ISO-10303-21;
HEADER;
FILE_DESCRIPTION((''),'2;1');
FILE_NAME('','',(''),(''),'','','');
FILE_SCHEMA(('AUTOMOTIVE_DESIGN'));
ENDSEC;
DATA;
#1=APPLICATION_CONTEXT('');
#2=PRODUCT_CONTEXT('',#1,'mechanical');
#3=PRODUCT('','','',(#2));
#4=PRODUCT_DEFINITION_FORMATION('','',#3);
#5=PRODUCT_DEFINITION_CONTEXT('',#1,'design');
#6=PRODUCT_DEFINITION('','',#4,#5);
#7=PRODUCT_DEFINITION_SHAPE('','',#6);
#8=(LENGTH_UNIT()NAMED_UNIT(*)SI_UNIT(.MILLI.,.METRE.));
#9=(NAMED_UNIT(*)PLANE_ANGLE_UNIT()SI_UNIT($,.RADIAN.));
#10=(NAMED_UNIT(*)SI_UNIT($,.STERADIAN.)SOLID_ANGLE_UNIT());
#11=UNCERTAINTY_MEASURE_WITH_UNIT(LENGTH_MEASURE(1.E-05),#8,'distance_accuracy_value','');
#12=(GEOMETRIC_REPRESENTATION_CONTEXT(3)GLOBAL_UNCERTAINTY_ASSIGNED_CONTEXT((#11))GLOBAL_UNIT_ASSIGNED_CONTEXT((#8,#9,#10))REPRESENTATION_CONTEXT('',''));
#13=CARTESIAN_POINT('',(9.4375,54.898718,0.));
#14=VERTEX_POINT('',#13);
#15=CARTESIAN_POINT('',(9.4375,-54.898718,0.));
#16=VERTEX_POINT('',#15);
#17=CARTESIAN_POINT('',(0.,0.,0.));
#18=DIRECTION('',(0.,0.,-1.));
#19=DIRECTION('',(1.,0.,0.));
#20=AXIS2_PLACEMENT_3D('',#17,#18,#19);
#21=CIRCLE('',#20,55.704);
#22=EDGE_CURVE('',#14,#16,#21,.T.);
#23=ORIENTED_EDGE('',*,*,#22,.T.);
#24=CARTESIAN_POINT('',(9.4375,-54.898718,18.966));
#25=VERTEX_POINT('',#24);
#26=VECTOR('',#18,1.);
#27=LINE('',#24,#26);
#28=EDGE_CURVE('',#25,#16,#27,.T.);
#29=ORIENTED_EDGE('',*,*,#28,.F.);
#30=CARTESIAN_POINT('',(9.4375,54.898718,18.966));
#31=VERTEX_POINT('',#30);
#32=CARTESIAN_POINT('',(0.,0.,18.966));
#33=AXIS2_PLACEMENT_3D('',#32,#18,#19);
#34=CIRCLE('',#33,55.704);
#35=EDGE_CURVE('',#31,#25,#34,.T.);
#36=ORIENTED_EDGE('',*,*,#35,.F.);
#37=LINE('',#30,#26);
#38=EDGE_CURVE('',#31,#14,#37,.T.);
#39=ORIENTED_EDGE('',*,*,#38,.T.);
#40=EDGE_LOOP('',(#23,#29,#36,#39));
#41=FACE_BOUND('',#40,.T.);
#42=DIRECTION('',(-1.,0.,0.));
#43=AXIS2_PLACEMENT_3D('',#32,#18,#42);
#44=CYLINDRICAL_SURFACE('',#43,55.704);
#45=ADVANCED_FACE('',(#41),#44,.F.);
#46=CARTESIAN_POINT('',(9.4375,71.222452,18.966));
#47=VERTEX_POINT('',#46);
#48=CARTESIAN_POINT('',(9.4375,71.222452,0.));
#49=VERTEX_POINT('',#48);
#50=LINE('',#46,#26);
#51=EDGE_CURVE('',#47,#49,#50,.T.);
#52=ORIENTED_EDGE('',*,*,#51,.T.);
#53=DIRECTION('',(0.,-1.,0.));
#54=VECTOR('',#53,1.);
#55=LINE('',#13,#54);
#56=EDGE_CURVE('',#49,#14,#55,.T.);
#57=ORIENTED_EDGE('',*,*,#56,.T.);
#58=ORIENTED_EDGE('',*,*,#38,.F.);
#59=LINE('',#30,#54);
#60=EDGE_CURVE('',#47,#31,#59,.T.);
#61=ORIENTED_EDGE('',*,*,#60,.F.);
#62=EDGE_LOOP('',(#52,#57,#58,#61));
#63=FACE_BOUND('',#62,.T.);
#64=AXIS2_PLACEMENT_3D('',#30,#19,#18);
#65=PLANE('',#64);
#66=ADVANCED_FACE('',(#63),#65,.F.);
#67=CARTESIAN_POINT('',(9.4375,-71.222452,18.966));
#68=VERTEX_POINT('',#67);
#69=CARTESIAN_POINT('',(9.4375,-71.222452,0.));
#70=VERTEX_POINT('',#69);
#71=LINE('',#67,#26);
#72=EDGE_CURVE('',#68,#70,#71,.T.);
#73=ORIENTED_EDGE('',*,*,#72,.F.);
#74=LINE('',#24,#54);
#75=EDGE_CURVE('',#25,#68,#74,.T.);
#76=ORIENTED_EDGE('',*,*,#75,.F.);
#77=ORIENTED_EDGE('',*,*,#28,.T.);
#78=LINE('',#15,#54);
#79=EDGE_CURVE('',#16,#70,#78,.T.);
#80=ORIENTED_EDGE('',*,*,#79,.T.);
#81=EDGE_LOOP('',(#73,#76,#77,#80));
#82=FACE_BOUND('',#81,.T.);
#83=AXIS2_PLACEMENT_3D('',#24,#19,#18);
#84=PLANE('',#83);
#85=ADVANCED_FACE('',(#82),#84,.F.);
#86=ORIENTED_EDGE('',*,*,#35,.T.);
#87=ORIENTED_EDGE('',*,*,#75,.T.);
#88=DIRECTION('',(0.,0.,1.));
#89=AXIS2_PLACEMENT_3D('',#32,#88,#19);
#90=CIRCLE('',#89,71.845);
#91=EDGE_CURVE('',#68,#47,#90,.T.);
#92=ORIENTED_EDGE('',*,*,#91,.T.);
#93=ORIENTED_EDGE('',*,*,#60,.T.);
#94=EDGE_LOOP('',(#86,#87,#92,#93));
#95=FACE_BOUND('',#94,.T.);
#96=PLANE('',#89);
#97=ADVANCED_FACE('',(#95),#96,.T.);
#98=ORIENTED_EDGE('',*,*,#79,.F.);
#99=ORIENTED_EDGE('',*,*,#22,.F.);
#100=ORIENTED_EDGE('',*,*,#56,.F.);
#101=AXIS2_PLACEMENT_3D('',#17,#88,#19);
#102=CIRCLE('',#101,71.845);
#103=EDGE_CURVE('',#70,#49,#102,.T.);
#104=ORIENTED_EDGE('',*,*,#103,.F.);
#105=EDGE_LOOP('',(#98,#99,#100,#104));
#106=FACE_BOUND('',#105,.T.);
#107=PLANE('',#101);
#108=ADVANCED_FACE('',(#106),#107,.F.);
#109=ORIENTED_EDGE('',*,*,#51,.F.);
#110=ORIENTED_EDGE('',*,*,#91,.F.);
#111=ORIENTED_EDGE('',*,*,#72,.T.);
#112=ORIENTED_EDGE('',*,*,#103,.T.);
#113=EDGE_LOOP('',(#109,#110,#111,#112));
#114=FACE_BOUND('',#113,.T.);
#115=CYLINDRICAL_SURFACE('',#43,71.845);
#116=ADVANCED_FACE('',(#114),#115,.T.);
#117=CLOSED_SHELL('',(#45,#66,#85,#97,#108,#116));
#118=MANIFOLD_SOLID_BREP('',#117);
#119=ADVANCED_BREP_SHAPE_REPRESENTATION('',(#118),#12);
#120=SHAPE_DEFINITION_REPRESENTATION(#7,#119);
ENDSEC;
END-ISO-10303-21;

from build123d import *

# Parameters (mm, degrees)
BOSS_EXTRUDE1_DEPTH = 18.966


with BuildPart() as part:
    # Sketch1 → Boss-Extrude1 (new body)
    with BuildSketch(Plane.XY):
        with BuildLine():
            Line((9.4375, 54.898717742), (9.4375, 71.222451648))
            ThreePointArc((9.4375, 71.222451648), (71.845, 0), (9.4375, -71.222451648))
            Line((9.4375, -71.222451648), (9.4375, -54.898717742))
            ThreePointArc((9.4375, -54.898717742), (55.704, 0), (9.4375, 54.898717742))
        make_face()
    extrude(amount=BOSS_EXTRUDE1_DEPTH)


solid = part.part
